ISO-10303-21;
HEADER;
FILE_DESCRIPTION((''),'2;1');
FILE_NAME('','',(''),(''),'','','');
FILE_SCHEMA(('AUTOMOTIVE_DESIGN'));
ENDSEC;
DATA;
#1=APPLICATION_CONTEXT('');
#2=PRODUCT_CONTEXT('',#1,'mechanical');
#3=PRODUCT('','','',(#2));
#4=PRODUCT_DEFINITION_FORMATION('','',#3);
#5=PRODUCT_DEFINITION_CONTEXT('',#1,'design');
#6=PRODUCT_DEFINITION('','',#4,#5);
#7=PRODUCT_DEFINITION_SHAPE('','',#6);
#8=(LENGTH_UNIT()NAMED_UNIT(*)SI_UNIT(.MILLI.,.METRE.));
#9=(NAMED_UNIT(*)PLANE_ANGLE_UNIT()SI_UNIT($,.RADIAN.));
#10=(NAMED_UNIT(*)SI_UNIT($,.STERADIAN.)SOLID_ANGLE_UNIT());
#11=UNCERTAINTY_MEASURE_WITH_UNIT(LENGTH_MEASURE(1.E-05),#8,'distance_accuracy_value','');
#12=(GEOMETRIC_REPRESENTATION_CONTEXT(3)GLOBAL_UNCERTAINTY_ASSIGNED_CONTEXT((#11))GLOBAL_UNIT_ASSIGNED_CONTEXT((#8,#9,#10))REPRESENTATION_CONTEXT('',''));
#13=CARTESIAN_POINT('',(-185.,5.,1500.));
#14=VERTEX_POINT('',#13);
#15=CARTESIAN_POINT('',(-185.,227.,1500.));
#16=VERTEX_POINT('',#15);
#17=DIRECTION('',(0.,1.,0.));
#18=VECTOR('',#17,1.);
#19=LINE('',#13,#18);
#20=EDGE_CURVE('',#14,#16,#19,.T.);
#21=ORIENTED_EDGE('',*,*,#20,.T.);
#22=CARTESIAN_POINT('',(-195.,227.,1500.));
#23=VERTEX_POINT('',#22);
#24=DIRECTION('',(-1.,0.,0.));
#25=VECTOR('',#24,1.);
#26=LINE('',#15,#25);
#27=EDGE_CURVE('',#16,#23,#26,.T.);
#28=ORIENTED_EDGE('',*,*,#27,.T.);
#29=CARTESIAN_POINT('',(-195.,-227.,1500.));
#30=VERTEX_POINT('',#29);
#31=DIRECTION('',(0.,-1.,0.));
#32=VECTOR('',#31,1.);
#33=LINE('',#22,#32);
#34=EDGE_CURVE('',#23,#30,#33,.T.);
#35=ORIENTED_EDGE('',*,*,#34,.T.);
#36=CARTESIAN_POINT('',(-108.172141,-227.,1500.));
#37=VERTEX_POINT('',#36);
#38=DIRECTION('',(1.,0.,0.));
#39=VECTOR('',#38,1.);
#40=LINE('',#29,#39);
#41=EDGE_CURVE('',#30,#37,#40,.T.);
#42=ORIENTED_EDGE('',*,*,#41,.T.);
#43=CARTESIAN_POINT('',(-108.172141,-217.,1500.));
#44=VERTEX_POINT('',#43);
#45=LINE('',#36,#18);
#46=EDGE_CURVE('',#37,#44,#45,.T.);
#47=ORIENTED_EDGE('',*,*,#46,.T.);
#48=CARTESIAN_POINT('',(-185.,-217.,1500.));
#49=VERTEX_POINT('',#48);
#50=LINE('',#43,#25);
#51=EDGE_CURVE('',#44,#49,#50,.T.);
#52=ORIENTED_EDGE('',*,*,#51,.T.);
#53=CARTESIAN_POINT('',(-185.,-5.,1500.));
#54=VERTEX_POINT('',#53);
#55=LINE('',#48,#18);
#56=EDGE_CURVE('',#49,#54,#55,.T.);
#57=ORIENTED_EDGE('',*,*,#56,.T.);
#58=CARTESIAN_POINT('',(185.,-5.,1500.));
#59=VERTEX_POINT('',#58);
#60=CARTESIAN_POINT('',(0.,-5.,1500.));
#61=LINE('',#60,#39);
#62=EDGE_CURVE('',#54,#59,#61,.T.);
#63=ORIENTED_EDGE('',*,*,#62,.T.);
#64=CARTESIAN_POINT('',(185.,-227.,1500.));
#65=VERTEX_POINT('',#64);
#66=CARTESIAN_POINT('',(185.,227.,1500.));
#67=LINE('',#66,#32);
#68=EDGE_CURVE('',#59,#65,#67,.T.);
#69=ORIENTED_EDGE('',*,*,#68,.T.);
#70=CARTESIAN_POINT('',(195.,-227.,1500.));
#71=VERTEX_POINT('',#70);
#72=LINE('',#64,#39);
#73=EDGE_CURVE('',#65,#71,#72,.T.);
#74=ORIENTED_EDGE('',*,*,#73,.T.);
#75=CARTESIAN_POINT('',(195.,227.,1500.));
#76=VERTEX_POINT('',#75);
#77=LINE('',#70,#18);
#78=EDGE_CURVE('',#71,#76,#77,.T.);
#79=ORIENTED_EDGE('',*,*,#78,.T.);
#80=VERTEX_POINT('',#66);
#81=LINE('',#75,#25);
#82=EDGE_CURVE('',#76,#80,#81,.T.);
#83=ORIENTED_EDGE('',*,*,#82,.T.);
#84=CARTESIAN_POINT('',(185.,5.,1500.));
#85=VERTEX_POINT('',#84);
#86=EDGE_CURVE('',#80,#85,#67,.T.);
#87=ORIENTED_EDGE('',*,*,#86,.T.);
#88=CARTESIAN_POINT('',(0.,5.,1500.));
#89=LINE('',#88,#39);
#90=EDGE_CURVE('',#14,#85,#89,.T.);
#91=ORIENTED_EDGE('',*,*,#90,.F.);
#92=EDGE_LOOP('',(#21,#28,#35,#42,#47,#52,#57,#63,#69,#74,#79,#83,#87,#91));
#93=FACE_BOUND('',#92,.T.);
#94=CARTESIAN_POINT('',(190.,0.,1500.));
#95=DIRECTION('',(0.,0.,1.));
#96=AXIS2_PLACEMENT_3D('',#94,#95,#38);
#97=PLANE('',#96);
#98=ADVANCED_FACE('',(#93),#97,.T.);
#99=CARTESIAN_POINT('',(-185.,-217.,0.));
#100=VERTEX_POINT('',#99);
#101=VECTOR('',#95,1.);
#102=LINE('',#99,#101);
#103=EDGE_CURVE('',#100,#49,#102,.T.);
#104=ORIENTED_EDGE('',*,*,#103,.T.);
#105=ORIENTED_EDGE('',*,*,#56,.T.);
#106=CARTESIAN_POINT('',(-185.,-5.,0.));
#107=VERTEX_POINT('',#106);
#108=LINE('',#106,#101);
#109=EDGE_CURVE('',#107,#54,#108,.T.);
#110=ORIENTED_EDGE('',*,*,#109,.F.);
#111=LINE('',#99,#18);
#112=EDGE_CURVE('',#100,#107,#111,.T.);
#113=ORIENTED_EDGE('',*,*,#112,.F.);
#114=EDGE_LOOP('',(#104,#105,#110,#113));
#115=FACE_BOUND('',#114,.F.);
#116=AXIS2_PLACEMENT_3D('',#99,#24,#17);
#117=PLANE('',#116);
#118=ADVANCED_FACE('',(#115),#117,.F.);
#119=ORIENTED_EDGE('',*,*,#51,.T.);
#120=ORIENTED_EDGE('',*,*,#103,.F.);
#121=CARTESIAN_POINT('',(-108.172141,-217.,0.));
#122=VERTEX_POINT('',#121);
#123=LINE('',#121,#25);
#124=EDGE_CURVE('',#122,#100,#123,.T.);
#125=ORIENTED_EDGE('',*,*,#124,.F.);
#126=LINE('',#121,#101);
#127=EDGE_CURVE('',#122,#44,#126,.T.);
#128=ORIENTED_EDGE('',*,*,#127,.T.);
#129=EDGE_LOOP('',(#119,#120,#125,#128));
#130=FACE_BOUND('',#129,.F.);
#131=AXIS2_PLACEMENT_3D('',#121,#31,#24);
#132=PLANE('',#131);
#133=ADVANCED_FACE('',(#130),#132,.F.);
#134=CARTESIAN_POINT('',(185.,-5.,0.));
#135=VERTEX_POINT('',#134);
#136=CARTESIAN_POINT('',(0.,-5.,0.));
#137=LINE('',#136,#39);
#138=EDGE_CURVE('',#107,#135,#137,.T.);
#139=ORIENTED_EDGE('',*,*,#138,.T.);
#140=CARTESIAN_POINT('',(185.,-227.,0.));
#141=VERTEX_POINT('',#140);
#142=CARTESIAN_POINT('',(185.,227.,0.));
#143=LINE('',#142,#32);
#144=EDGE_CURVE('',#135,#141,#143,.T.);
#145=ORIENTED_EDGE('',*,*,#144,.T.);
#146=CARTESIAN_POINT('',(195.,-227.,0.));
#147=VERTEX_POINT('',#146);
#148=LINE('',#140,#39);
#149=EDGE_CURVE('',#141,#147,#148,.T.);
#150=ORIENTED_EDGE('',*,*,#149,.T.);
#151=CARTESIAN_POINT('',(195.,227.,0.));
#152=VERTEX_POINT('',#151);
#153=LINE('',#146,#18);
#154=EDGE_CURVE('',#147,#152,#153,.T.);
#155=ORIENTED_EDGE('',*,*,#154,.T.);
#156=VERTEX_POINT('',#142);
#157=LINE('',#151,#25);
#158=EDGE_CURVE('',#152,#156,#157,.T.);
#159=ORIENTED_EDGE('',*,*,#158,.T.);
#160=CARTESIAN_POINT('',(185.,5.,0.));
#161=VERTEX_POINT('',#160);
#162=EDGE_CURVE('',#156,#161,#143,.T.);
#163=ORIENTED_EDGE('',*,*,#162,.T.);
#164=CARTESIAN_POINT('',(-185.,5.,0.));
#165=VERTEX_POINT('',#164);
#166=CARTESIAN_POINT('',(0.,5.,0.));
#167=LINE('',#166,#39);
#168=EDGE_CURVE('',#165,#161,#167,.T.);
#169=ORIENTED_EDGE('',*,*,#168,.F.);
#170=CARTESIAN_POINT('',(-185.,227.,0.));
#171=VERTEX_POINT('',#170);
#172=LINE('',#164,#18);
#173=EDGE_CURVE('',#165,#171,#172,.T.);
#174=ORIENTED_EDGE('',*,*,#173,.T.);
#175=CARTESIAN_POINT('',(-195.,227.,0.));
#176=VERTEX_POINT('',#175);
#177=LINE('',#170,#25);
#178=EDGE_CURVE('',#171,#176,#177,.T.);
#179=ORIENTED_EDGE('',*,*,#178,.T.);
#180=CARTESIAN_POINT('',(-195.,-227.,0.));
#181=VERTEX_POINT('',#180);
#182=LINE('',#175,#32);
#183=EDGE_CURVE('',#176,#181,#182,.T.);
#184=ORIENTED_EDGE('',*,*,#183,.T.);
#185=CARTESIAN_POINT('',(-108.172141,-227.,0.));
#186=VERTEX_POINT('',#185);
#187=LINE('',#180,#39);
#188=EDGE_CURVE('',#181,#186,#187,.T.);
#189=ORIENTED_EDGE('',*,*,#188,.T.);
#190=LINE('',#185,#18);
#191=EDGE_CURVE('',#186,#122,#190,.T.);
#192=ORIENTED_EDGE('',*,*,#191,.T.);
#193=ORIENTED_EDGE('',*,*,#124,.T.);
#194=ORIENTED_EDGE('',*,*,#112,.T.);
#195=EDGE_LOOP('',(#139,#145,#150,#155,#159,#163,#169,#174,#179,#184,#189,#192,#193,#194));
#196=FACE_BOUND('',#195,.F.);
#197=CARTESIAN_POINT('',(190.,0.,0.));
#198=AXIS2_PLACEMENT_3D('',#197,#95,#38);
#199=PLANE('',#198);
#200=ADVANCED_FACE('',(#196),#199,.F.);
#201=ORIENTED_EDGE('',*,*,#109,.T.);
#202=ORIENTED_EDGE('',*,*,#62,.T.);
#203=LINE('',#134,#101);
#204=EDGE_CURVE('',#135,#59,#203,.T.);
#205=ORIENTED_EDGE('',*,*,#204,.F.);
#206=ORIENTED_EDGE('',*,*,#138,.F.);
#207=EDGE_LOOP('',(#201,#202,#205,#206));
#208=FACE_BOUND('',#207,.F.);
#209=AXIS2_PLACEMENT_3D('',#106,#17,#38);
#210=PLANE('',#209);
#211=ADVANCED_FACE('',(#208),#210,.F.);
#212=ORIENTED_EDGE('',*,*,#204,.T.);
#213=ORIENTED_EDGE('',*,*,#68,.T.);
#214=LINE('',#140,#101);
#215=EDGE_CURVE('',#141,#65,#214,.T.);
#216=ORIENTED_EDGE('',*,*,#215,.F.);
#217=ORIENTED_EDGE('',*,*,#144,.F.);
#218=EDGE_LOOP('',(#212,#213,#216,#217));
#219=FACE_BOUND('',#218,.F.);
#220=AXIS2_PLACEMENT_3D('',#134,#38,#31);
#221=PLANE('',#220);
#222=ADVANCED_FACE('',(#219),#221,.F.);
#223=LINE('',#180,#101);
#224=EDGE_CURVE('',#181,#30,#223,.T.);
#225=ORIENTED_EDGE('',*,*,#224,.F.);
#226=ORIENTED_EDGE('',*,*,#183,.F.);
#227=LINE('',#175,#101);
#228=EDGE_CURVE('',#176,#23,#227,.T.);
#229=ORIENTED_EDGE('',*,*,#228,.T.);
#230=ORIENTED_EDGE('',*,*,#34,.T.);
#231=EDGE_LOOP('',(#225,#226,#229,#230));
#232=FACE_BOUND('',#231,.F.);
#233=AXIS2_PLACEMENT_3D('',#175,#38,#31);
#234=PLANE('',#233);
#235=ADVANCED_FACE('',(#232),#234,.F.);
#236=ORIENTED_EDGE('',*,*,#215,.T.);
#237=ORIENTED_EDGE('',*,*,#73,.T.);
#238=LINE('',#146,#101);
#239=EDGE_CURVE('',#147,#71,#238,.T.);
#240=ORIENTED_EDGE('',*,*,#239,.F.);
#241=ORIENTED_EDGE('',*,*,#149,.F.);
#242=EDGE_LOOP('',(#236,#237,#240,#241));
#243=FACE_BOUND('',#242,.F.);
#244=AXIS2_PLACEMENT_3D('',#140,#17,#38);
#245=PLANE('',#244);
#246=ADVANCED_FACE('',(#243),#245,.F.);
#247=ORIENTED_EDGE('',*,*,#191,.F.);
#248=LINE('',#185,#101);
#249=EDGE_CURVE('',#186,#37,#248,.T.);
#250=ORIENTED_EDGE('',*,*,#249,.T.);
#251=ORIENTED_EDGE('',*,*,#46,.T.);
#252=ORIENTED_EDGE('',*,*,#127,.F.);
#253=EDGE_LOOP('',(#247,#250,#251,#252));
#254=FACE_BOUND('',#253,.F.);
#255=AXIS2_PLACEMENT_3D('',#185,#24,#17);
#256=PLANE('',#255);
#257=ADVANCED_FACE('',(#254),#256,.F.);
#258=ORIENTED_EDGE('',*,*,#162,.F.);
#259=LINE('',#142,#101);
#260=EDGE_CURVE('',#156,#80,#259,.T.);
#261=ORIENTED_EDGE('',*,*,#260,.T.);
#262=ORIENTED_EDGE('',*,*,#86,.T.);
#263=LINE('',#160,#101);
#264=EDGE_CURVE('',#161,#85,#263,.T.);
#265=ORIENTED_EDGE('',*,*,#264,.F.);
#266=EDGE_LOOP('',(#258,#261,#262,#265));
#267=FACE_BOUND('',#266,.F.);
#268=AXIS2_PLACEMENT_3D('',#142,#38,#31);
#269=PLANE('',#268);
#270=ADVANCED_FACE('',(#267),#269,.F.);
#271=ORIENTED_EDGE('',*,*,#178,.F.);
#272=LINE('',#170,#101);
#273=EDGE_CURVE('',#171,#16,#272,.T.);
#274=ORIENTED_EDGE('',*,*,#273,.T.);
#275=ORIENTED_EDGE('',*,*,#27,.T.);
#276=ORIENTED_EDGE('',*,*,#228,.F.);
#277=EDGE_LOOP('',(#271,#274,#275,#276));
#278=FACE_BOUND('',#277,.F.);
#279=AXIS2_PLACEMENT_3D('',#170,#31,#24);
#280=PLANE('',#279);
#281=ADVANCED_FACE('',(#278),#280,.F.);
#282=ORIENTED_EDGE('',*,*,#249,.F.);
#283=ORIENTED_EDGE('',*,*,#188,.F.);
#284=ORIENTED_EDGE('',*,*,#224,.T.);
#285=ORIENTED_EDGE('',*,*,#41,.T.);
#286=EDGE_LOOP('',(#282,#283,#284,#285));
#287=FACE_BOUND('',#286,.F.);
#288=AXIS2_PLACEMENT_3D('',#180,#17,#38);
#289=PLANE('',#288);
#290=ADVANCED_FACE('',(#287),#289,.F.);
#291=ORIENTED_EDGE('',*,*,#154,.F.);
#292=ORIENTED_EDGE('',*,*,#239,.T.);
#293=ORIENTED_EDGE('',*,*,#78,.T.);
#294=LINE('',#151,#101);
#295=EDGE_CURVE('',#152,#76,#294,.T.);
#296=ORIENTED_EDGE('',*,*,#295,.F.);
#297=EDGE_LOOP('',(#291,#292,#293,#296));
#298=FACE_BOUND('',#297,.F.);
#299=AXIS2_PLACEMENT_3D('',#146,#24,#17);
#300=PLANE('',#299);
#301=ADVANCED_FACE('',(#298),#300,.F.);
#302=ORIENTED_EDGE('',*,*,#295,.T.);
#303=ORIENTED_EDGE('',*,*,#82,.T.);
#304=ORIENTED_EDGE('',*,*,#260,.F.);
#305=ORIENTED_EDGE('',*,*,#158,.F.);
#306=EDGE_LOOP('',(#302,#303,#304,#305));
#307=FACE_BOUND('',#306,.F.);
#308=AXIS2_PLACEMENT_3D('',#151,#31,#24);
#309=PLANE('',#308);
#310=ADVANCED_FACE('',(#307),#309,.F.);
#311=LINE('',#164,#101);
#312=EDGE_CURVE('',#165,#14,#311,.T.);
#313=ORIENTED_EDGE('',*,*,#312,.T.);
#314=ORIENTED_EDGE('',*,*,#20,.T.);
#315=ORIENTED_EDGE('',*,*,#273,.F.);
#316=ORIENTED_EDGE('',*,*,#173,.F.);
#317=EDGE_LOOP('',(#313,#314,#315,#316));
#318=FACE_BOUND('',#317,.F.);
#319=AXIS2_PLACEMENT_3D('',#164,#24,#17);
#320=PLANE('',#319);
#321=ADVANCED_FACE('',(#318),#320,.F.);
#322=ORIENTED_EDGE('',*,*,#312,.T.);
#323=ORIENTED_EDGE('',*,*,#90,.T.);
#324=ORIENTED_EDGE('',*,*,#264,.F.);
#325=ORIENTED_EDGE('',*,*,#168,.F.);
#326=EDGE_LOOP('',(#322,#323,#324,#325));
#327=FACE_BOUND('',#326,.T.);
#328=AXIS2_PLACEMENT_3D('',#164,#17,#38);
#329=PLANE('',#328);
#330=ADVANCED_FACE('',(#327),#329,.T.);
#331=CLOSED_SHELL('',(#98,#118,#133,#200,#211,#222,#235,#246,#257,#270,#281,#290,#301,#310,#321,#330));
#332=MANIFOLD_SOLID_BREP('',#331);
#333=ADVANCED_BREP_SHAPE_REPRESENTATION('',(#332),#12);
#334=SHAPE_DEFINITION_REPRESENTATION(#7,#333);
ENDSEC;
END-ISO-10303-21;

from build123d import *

# Parameters (mm, degrees)
F0_W     = 370
F0_H     = 10
F1_DEPTH = 1500


with BuildPart() as f1:
    # F0 (on Top) → F1 (new body)
    with BuildSketch(Plane.XY):
        Polygon((185, -227), (195, -227), (195, 227), (185, 227), (185, 217), (185, 5), (185, -5), (185, -217), align=None)
        Rectangle(F0_W, F0_H)
        Polygon((-185, -217), (-185, -5), (-185, 5), (-185, 217), (-185, 227), (-195, 227), (-195, -227), (-108.172141, -227), (-108.172141, -217), align=None)
    extrude(amount=F1_DEPTH)


solid = f1.part
